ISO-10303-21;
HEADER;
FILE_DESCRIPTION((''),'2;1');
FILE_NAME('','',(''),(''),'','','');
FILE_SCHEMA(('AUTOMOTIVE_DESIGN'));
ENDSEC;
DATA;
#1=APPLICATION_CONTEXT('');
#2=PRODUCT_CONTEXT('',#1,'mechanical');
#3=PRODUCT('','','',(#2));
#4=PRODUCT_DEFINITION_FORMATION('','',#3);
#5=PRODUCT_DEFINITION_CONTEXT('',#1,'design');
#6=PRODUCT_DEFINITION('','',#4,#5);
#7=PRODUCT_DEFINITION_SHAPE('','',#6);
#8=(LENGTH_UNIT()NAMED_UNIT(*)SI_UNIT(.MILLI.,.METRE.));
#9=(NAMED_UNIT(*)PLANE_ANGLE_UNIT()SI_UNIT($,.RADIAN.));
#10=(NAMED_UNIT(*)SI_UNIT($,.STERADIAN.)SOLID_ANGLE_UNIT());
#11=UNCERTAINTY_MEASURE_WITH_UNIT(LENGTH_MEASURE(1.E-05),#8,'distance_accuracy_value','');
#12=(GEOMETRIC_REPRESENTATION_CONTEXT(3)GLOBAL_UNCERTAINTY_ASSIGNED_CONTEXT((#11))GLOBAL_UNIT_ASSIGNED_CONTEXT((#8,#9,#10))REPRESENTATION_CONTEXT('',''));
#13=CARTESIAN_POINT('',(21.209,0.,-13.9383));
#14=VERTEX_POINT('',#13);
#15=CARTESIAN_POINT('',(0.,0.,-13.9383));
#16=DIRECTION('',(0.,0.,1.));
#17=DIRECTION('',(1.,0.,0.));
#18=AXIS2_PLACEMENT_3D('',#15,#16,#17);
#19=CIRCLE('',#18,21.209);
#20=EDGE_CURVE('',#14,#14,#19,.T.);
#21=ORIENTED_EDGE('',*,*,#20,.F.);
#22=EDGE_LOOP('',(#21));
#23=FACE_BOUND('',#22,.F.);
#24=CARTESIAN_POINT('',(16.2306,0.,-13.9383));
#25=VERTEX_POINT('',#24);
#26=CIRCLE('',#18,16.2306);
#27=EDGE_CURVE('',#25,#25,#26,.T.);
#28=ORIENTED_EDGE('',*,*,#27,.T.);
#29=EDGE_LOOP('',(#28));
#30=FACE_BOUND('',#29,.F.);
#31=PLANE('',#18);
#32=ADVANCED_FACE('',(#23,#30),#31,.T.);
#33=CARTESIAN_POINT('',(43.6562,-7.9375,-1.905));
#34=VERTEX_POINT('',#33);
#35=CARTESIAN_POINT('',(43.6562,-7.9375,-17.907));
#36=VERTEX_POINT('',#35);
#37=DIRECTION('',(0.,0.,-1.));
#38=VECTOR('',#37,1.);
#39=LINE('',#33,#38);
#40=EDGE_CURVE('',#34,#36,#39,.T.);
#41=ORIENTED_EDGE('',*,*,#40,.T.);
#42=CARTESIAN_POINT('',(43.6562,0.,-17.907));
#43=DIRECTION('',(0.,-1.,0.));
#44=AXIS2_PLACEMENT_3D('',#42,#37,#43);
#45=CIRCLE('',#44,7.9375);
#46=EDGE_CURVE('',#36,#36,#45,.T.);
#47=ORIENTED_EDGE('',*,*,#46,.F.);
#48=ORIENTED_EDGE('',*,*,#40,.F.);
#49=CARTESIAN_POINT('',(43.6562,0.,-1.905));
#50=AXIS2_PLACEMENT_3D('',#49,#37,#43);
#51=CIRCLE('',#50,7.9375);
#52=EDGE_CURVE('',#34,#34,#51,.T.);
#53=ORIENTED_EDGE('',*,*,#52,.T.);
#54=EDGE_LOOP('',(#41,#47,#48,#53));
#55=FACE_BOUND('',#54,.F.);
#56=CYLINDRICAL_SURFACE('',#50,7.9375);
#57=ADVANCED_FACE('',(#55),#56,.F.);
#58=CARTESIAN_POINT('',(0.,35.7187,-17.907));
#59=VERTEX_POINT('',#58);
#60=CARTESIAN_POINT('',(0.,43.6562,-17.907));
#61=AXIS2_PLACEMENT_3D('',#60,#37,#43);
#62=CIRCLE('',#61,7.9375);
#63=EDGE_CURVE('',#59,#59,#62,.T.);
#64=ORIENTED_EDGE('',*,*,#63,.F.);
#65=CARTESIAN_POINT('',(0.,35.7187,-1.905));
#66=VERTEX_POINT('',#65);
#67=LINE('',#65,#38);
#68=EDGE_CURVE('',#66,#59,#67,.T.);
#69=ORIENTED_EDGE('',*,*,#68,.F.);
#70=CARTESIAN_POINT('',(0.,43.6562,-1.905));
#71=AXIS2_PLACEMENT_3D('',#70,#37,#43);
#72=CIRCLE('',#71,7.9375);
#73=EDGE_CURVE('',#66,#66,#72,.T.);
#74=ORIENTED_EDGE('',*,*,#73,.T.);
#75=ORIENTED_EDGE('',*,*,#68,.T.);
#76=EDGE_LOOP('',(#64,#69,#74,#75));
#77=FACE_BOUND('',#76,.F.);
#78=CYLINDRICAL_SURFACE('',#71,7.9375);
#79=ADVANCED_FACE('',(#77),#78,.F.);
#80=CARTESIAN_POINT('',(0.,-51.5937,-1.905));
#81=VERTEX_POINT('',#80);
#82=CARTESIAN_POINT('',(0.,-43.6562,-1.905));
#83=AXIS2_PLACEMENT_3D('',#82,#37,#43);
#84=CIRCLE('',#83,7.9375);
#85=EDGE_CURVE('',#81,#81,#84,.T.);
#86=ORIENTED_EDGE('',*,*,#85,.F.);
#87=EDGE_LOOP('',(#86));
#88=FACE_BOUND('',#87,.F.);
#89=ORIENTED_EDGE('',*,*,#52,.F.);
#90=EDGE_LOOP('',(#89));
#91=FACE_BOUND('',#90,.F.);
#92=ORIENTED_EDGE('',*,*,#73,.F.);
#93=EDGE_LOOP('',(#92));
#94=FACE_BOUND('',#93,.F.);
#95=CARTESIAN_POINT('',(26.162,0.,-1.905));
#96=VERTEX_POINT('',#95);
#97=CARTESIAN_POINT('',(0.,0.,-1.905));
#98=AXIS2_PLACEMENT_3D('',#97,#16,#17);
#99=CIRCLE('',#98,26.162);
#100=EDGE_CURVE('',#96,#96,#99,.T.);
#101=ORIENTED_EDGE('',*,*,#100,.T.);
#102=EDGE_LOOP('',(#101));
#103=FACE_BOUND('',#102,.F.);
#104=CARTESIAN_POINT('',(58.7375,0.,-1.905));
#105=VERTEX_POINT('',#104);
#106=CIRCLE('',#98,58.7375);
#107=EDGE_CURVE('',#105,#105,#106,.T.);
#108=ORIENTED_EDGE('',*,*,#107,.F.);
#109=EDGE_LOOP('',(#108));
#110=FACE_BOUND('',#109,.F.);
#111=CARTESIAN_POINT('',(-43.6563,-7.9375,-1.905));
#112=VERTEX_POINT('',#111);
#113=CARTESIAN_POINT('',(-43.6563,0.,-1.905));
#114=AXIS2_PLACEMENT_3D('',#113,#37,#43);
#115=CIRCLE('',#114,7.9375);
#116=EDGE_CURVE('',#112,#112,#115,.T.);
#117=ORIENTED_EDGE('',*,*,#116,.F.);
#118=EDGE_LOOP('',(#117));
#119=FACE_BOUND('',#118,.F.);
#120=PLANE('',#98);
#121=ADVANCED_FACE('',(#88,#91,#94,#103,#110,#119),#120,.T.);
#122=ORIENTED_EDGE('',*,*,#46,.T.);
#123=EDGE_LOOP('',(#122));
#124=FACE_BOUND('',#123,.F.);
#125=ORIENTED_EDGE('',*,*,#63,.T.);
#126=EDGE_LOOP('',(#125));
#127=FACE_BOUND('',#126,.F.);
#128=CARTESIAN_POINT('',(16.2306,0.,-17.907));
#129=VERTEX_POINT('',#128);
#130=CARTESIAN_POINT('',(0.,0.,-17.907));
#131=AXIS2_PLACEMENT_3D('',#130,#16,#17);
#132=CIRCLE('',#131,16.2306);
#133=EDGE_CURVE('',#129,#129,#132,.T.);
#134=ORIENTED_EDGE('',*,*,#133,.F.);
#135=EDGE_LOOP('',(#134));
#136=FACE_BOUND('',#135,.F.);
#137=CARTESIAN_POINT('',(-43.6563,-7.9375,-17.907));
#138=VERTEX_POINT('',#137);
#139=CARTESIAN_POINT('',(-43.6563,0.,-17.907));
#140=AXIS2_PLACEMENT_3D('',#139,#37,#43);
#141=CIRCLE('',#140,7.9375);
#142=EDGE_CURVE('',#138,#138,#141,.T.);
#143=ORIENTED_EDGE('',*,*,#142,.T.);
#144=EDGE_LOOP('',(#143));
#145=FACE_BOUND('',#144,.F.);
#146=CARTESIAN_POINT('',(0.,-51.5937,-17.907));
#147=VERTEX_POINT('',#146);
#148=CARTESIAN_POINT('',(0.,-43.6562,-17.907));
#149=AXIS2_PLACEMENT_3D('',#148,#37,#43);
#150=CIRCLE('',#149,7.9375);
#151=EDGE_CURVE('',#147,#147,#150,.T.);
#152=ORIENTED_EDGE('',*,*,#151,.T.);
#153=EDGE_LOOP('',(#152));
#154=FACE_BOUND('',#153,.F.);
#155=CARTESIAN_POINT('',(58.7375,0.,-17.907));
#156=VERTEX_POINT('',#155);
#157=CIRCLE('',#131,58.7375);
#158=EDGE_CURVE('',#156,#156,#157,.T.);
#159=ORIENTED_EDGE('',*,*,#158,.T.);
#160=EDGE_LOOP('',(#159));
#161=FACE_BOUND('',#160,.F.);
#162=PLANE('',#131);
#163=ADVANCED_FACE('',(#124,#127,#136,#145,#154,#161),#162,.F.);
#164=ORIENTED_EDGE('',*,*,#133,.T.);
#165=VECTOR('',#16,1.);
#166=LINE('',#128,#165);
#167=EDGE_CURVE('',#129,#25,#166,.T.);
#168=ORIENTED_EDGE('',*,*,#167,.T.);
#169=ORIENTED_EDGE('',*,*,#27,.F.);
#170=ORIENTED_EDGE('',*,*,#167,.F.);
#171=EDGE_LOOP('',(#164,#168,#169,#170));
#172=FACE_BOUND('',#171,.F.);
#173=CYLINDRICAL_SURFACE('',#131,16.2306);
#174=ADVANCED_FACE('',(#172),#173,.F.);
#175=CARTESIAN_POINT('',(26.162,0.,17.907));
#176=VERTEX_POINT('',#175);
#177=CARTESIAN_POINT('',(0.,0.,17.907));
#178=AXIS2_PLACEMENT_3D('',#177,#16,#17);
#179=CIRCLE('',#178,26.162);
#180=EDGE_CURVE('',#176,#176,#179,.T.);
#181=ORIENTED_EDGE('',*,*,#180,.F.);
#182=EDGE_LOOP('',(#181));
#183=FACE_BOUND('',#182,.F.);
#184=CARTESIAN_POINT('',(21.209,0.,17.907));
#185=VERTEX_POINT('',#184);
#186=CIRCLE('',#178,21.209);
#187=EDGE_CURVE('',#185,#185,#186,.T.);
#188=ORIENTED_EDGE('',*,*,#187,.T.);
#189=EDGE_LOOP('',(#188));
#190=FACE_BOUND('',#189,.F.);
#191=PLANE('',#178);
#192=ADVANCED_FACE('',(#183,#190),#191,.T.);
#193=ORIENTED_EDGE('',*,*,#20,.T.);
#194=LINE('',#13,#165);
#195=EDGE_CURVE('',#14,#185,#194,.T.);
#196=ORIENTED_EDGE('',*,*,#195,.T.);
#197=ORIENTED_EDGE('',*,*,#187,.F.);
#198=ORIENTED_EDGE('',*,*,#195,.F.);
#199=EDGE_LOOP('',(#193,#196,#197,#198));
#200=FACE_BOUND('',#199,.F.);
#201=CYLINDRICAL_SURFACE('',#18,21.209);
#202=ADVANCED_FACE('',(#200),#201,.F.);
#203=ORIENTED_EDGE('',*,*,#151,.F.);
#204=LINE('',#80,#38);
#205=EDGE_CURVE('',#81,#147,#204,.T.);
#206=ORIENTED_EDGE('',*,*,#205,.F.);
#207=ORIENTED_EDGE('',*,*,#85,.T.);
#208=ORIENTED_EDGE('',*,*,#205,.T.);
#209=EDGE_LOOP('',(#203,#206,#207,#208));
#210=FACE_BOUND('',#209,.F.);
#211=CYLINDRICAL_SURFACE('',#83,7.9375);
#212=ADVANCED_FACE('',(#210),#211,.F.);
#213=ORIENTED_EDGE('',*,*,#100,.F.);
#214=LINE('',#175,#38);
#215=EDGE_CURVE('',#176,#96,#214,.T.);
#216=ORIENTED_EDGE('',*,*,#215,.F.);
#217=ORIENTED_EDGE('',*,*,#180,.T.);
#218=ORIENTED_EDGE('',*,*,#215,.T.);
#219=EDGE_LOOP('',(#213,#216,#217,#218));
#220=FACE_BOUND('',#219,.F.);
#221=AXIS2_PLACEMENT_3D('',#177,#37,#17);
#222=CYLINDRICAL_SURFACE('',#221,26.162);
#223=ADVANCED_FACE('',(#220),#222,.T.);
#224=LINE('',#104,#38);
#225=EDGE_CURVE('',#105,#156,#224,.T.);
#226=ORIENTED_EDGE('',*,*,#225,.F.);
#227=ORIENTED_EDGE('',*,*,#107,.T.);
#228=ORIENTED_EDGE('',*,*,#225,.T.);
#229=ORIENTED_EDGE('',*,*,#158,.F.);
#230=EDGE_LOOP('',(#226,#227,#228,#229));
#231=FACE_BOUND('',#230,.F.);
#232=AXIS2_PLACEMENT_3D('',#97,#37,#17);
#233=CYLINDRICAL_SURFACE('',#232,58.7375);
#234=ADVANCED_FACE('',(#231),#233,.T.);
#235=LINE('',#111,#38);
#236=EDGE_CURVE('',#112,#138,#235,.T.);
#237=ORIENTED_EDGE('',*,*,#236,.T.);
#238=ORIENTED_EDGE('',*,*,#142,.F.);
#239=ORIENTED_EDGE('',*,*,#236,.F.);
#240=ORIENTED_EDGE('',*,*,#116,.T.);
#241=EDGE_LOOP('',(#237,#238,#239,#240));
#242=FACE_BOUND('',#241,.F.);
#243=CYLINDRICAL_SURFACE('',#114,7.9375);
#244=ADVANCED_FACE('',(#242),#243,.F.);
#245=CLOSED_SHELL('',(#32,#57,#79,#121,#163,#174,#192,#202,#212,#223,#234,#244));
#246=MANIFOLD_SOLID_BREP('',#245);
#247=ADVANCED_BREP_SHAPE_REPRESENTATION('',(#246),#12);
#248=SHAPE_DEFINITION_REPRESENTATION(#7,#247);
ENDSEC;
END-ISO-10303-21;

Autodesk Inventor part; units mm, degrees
ref_plane "YZ Plane" through (0, 0, 0) normal (1, 0, 0) x (0, 1, 0)
ref_plane "XZ Plane" through (0, 0, 0) normal (0, 1, 0) x (-1, 0, 0)
ref_plane "XY Plane" through (0, 0, 0) normal (0, 0, 1) x (1, 0, 0)
sketch "Sketch1" plane through (0, 0, 0) normal (0, 1, 0) x (-1, 0, 0)
  line L0 (-16.2306, -17.907) -> (-16.2306, -13.9383)
  line L1 (-16.2306, -13.9383) -> (-21.209, -13.9383)
  line L2 (-21.209, -13.9383) -> (-21.209, 17.907)
  line L3 (-21.209, 17.907) -> (-26.162, 17.907)
  line L4 (-26.162, 17.907) -> (-26.162, -1.905)
  line L5 (-26.162, -1.905) -> (-58.7375, -1.905)
  line L6 (-58.7375, -1.905) -> (-58.7375, -17.907)
  line L7 (-58.7375, -17.907) -> (-16.2306, -17.907)
  line L8 (0, -17.907) -> (0, 17.907)
  point P0 (0, 0)
  point P1 (0, 0)
  dimension "d0" = 3.9688
  dimension "d1" = 35.814
  dimension "d2" = 42.418
  dimension "d3" = 117.475
  dimension "d4" = 52.324
  dimension "d5" = 32.4612
  dimension "d6" = 16.002
revolve "Revolution1" add sketch "Sketch1" angle 360 about axis through (0, 0, -17.907) along (0, 0, 1)
sketch "Sketch2" plane through (0, 0, -1.905) normal (0, 0, 1) x (1, 0, 0)
  point P0 (0, 0)
  point P1 (0, -43.6562)
  point P2 (43.6562, 0)
  point P3 (0, 43.6562)
  point P4 (-43.6563, 0)
  dimension "d10" = 360
  dimension "d12" = 87.3125
hole "Hole1" at (0, -43.6562, -1.905) at (43.6562, 0, -1.905) at (0, 43.6562, -1.905) at (-43.6563, 0, -1.905) direction (0, 0, -1) diameter 15.875 end through all
properties part number "Piping_Flange_1.25in" material "PVC-Piping"
